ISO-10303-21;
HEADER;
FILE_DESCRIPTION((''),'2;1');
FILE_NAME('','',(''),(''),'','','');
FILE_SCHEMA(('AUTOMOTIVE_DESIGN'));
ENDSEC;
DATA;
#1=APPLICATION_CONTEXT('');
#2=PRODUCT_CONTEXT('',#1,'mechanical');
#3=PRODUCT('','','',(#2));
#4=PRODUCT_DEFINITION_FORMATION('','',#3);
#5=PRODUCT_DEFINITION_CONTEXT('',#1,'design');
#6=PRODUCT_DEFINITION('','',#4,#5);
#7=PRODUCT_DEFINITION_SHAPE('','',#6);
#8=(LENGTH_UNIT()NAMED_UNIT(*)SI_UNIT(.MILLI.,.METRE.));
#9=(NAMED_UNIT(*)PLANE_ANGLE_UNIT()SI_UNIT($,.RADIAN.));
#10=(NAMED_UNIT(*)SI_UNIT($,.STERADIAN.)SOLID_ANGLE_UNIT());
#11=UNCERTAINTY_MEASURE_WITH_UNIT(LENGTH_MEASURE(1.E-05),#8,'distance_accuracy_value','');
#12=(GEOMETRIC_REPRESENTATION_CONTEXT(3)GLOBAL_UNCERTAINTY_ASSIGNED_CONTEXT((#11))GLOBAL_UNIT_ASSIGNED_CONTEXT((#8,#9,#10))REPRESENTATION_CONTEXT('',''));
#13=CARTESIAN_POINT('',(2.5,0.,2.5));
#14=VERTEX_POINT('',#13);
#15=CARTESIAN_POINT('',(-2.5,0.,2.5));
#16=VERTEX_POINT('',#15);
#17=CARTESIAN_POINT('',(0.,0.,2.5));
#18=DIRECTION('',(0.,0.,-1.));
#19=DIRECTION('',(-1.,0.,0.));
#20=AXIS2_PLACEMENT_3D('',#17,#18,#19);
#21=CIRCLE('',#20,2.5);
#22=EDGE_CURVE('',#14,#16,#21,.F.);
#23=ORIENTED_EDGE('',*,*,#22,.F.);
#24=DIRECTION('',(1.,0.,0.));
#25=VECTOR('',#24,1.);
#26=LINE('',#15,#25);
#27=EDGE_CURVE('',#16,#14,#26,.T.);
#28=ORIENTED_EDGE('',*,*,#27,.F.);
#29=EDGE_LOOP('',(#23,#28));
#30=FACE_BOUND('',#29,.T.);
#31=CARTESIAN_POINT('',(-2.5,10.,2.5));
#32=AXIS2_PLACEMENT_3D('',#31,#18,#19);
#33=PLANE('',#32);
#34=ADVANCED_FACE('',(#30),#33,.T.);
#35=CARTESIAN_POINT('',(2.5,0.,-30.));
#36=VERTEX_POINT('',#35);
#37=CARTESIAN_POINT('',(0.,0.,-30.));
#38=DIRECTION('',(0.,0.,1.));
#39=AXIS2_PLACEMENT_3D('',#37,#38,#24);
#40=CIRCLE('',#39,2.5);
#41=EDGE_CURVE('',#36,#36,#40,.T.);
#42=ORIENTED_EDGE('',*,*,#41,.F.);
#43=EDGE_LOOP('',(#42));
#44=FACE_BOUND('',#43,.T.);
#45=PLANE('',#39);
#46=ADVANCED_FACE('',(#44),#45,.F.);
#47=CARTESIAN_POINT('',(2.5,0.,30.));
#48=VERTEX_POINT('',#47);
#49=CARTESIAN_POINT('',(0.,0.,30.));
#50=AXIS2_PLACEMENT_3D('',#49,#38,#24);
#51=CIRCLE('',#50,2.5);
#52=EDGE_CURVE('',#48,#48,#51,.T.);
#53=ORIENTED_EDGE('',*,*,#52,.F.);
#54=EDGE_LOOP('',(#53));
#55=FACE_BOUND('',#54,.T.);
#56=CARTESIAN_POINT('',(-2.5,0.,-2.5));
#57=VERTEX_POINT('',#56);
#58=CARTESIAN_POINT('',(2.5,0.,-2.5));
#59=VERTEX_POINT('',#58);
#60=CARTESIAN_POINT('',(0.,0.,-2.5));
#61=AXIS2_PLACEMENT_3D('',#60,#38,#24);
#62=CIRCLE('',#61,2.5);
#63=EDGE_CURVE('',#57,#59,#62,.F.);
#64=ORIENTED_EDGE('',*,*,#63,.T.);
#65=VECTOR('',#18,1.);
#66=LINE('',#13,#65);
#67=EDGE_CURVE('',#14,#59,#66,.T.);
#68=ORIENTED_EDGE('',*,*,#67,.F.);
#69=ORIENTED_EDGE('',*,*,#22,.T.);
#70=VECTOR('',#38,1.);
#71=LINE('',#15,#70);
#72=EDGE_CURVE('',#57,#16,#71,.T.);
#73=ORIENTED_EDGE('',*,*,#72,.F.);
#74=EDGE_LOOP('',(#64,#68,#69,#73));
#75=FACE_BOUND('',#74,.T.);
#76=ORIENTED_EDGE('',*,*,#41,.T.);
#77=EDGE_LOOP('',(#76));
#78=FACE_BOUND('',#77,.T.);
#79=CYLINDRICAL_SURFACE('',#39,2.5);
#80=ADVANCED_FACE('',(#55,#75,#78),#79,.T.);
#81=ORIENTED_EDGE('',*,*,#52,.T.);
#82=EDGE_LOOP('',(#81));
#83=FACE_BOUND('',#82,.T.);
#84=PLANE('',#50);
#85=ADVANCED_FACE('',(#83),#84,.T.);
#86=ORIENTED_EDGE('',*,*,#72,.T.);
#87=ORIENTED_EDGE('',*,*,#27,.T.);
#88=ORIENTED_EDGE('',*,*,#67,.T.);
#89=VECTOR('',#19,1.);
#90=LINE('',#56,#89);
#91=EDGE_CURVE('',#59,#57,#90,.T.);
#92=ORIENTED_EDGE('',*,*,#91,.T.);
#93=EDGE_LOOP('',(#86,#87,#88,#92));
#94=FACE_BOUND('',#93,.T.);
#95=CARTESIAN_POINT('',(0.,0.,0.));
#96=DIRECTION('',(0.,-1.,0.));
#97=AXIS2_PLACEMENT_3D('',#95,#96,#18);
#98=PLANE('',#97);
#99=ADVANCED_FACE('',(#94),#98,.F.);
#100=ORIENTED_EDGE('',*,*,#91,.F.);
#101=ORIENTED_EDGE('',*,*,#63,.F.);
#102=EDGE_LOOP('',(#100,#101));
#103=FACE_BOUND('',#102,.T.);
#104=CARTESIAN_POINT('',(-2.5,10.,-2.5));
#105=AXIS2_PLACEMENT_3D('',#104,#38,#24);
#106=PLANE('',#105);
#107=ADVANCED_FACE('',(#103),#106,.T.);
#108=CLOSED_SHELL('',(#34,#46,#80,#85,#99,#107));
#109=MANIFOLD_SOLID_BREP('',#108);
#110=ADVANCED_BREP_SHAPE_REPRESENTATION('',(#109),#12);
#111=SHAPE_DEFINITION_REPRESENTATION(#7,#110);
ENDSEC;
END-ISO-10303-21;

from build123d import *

# Parameters (mm, degrees)
BOSS_EXTRUDE1_DEPTH      = 30
BOSS_EXTRUDE1_DEPTH_BACK = 30
SKETCH1_R                = 2.5
SKETCH5_W                = 5
SKETCH5_H                = 5
CUT_EXTRUDE1_DEPTH       = 10


with BuildPart() as part:
    # Sketch1 → Boss-Extrude1 (new, two sides: drawn at the far end of the back side and taken through both)
    with BuildSketch(Plane.XY.offset(-BOSS_EXTRUDE1_DEPTH_BACK)):
        Circle(SKETCH1_R)
    extrude(amount=BOSS_EXTRUDE1_DEPTH + BOSS_EXTRUDE1_DEPTH_BACK)

    # Sketch5 → Cut-Extrude1 (cut)
    with BuildSketch(Plane(origin=(0, 0, 0), x_dir=(1, 0, 0), z_dir=(0, 1, 0))):
        Rectangle(SKETCH5_W, SKETCH5_H)
    extrude(amount=CUT_EXTRUDE1_DEPTH, mode=Mode.SUBTRACT)


solid = part.part
